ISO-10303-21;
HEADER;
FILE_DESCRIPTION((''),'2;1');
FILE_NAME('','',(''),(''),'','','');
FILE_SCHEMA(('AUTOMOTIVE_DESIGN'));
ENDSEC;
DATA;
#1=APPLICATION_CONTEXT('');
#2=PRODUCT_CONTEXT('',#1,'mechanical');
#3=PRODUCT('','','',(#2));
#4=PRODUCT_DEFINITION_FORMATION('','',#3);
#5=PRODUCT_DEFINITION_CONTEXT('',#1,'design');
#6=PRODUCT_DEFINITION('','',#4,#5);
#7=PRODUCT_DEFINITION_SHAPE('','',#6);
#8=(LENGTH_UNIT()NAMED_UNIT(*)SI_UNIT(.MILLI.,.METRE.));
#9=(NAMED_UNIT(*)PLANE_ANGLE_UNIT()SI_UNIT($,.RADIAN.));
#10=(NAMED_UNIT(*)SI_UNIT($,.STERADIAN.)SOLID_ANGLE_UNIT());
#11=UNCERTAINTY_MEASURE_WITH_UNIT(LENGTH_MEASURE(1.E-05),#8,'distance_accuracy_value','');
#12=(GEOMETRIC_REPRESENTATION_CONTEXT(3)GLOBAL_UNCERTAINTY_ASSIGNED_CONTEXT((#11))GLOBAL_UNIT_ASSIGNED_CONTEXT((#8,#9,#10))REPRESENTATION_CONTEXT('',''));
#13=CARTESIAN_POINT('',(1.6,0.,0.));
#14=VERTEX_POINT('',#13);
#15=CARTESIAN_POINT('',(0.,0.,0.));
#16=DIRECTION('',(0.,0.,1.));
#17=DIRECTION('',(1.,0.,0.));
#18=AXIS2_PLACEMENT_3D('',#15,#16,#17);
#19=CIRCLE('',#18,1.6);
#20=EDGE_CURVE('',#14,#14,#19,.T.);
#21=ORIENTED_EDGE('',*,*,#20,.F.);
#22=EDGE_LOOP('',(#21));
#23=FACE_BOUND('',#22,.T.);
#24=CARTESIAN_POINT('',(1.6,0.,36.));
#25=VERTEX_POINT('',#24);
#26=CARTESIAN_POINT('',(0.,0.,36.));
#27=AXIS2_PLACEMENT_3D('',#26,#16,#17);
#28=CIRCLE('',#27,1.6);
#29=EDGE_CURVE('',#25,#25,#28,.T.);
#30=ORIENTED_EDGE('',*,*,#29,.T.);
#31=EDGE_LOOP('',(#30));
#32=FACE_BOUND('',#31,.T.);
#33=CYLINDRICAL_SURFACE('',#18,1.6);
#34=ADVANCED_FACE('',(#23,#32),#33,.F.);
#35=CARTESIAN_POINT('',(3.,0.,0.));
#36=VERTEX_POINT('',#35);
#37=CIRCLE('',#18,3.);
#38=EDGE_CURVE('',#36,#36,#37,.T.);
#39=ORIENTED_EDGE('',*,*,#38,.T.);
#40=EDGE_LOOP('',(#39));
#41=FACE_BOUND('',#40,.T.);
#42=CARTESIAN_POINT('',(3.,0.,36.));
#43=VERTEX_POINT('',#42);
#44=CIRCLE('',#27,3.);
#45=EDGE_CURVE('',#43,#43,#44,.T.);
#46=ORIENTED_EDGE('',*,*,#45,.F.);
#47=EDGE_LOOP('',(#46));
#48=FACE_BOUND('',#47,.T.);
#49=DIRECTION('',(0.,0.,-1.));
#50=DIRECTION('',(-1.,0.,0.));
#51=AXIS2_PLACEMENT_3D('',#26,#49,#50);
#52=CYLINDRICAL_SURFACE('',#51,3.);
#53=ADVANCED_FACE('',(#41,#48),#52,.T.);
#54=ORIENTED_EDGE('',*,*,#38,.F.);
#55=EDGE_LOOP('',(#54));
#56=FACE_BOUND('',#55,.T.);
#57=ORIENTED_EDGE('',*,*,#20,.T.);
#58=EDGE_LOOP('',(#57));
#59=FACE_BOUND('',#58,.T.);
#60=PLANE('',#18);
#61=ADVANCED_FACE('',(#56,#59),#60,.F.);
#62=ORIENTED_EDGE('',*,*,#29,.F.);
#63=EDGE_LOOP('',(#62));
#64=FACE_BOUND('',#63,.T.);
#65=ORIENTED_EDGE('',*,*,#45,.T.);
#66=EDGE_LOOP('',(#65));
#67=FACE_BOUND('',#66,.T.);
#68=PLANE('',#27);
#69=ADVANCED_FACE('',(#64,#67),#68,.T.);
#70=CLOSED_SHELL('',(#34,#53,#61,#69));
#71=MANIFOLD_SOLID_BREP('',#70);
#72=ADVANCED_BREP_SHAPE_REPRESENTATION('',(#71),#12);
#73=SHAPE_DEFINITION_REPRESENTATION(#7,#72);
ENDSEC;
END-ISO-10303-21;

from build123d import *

# Parameters (mm, degrees)
SKETCH_1_R          = 3
EXTRUDE_1_DEPTH     = 36
SKETCH_2_R          = 1.6
CUT_EXTRUDE_1_DEPTH = 36


with BuildPart() as part:
    # ｽｹｯﾁ1 → ﾎﾞｽ - 押し出し1 (new body)
    with BuildSketch(Plane.XY):
        Circle(SKETCH_1_R)
    extrude(amount=EXTRUDE_1_DEPTH)

    # ｽｹｯﾁ2 → ｶｯﾄ - 押し出し1 (cut)
    with BuildSketch(Plane.XY.offset(36)):
        Circle(SKETCH_2_R)
    extrude(amount=-CUT_EXTRUDE_1_DEPTH, mode=Mode.SUBTRACT)


solid = part.part
